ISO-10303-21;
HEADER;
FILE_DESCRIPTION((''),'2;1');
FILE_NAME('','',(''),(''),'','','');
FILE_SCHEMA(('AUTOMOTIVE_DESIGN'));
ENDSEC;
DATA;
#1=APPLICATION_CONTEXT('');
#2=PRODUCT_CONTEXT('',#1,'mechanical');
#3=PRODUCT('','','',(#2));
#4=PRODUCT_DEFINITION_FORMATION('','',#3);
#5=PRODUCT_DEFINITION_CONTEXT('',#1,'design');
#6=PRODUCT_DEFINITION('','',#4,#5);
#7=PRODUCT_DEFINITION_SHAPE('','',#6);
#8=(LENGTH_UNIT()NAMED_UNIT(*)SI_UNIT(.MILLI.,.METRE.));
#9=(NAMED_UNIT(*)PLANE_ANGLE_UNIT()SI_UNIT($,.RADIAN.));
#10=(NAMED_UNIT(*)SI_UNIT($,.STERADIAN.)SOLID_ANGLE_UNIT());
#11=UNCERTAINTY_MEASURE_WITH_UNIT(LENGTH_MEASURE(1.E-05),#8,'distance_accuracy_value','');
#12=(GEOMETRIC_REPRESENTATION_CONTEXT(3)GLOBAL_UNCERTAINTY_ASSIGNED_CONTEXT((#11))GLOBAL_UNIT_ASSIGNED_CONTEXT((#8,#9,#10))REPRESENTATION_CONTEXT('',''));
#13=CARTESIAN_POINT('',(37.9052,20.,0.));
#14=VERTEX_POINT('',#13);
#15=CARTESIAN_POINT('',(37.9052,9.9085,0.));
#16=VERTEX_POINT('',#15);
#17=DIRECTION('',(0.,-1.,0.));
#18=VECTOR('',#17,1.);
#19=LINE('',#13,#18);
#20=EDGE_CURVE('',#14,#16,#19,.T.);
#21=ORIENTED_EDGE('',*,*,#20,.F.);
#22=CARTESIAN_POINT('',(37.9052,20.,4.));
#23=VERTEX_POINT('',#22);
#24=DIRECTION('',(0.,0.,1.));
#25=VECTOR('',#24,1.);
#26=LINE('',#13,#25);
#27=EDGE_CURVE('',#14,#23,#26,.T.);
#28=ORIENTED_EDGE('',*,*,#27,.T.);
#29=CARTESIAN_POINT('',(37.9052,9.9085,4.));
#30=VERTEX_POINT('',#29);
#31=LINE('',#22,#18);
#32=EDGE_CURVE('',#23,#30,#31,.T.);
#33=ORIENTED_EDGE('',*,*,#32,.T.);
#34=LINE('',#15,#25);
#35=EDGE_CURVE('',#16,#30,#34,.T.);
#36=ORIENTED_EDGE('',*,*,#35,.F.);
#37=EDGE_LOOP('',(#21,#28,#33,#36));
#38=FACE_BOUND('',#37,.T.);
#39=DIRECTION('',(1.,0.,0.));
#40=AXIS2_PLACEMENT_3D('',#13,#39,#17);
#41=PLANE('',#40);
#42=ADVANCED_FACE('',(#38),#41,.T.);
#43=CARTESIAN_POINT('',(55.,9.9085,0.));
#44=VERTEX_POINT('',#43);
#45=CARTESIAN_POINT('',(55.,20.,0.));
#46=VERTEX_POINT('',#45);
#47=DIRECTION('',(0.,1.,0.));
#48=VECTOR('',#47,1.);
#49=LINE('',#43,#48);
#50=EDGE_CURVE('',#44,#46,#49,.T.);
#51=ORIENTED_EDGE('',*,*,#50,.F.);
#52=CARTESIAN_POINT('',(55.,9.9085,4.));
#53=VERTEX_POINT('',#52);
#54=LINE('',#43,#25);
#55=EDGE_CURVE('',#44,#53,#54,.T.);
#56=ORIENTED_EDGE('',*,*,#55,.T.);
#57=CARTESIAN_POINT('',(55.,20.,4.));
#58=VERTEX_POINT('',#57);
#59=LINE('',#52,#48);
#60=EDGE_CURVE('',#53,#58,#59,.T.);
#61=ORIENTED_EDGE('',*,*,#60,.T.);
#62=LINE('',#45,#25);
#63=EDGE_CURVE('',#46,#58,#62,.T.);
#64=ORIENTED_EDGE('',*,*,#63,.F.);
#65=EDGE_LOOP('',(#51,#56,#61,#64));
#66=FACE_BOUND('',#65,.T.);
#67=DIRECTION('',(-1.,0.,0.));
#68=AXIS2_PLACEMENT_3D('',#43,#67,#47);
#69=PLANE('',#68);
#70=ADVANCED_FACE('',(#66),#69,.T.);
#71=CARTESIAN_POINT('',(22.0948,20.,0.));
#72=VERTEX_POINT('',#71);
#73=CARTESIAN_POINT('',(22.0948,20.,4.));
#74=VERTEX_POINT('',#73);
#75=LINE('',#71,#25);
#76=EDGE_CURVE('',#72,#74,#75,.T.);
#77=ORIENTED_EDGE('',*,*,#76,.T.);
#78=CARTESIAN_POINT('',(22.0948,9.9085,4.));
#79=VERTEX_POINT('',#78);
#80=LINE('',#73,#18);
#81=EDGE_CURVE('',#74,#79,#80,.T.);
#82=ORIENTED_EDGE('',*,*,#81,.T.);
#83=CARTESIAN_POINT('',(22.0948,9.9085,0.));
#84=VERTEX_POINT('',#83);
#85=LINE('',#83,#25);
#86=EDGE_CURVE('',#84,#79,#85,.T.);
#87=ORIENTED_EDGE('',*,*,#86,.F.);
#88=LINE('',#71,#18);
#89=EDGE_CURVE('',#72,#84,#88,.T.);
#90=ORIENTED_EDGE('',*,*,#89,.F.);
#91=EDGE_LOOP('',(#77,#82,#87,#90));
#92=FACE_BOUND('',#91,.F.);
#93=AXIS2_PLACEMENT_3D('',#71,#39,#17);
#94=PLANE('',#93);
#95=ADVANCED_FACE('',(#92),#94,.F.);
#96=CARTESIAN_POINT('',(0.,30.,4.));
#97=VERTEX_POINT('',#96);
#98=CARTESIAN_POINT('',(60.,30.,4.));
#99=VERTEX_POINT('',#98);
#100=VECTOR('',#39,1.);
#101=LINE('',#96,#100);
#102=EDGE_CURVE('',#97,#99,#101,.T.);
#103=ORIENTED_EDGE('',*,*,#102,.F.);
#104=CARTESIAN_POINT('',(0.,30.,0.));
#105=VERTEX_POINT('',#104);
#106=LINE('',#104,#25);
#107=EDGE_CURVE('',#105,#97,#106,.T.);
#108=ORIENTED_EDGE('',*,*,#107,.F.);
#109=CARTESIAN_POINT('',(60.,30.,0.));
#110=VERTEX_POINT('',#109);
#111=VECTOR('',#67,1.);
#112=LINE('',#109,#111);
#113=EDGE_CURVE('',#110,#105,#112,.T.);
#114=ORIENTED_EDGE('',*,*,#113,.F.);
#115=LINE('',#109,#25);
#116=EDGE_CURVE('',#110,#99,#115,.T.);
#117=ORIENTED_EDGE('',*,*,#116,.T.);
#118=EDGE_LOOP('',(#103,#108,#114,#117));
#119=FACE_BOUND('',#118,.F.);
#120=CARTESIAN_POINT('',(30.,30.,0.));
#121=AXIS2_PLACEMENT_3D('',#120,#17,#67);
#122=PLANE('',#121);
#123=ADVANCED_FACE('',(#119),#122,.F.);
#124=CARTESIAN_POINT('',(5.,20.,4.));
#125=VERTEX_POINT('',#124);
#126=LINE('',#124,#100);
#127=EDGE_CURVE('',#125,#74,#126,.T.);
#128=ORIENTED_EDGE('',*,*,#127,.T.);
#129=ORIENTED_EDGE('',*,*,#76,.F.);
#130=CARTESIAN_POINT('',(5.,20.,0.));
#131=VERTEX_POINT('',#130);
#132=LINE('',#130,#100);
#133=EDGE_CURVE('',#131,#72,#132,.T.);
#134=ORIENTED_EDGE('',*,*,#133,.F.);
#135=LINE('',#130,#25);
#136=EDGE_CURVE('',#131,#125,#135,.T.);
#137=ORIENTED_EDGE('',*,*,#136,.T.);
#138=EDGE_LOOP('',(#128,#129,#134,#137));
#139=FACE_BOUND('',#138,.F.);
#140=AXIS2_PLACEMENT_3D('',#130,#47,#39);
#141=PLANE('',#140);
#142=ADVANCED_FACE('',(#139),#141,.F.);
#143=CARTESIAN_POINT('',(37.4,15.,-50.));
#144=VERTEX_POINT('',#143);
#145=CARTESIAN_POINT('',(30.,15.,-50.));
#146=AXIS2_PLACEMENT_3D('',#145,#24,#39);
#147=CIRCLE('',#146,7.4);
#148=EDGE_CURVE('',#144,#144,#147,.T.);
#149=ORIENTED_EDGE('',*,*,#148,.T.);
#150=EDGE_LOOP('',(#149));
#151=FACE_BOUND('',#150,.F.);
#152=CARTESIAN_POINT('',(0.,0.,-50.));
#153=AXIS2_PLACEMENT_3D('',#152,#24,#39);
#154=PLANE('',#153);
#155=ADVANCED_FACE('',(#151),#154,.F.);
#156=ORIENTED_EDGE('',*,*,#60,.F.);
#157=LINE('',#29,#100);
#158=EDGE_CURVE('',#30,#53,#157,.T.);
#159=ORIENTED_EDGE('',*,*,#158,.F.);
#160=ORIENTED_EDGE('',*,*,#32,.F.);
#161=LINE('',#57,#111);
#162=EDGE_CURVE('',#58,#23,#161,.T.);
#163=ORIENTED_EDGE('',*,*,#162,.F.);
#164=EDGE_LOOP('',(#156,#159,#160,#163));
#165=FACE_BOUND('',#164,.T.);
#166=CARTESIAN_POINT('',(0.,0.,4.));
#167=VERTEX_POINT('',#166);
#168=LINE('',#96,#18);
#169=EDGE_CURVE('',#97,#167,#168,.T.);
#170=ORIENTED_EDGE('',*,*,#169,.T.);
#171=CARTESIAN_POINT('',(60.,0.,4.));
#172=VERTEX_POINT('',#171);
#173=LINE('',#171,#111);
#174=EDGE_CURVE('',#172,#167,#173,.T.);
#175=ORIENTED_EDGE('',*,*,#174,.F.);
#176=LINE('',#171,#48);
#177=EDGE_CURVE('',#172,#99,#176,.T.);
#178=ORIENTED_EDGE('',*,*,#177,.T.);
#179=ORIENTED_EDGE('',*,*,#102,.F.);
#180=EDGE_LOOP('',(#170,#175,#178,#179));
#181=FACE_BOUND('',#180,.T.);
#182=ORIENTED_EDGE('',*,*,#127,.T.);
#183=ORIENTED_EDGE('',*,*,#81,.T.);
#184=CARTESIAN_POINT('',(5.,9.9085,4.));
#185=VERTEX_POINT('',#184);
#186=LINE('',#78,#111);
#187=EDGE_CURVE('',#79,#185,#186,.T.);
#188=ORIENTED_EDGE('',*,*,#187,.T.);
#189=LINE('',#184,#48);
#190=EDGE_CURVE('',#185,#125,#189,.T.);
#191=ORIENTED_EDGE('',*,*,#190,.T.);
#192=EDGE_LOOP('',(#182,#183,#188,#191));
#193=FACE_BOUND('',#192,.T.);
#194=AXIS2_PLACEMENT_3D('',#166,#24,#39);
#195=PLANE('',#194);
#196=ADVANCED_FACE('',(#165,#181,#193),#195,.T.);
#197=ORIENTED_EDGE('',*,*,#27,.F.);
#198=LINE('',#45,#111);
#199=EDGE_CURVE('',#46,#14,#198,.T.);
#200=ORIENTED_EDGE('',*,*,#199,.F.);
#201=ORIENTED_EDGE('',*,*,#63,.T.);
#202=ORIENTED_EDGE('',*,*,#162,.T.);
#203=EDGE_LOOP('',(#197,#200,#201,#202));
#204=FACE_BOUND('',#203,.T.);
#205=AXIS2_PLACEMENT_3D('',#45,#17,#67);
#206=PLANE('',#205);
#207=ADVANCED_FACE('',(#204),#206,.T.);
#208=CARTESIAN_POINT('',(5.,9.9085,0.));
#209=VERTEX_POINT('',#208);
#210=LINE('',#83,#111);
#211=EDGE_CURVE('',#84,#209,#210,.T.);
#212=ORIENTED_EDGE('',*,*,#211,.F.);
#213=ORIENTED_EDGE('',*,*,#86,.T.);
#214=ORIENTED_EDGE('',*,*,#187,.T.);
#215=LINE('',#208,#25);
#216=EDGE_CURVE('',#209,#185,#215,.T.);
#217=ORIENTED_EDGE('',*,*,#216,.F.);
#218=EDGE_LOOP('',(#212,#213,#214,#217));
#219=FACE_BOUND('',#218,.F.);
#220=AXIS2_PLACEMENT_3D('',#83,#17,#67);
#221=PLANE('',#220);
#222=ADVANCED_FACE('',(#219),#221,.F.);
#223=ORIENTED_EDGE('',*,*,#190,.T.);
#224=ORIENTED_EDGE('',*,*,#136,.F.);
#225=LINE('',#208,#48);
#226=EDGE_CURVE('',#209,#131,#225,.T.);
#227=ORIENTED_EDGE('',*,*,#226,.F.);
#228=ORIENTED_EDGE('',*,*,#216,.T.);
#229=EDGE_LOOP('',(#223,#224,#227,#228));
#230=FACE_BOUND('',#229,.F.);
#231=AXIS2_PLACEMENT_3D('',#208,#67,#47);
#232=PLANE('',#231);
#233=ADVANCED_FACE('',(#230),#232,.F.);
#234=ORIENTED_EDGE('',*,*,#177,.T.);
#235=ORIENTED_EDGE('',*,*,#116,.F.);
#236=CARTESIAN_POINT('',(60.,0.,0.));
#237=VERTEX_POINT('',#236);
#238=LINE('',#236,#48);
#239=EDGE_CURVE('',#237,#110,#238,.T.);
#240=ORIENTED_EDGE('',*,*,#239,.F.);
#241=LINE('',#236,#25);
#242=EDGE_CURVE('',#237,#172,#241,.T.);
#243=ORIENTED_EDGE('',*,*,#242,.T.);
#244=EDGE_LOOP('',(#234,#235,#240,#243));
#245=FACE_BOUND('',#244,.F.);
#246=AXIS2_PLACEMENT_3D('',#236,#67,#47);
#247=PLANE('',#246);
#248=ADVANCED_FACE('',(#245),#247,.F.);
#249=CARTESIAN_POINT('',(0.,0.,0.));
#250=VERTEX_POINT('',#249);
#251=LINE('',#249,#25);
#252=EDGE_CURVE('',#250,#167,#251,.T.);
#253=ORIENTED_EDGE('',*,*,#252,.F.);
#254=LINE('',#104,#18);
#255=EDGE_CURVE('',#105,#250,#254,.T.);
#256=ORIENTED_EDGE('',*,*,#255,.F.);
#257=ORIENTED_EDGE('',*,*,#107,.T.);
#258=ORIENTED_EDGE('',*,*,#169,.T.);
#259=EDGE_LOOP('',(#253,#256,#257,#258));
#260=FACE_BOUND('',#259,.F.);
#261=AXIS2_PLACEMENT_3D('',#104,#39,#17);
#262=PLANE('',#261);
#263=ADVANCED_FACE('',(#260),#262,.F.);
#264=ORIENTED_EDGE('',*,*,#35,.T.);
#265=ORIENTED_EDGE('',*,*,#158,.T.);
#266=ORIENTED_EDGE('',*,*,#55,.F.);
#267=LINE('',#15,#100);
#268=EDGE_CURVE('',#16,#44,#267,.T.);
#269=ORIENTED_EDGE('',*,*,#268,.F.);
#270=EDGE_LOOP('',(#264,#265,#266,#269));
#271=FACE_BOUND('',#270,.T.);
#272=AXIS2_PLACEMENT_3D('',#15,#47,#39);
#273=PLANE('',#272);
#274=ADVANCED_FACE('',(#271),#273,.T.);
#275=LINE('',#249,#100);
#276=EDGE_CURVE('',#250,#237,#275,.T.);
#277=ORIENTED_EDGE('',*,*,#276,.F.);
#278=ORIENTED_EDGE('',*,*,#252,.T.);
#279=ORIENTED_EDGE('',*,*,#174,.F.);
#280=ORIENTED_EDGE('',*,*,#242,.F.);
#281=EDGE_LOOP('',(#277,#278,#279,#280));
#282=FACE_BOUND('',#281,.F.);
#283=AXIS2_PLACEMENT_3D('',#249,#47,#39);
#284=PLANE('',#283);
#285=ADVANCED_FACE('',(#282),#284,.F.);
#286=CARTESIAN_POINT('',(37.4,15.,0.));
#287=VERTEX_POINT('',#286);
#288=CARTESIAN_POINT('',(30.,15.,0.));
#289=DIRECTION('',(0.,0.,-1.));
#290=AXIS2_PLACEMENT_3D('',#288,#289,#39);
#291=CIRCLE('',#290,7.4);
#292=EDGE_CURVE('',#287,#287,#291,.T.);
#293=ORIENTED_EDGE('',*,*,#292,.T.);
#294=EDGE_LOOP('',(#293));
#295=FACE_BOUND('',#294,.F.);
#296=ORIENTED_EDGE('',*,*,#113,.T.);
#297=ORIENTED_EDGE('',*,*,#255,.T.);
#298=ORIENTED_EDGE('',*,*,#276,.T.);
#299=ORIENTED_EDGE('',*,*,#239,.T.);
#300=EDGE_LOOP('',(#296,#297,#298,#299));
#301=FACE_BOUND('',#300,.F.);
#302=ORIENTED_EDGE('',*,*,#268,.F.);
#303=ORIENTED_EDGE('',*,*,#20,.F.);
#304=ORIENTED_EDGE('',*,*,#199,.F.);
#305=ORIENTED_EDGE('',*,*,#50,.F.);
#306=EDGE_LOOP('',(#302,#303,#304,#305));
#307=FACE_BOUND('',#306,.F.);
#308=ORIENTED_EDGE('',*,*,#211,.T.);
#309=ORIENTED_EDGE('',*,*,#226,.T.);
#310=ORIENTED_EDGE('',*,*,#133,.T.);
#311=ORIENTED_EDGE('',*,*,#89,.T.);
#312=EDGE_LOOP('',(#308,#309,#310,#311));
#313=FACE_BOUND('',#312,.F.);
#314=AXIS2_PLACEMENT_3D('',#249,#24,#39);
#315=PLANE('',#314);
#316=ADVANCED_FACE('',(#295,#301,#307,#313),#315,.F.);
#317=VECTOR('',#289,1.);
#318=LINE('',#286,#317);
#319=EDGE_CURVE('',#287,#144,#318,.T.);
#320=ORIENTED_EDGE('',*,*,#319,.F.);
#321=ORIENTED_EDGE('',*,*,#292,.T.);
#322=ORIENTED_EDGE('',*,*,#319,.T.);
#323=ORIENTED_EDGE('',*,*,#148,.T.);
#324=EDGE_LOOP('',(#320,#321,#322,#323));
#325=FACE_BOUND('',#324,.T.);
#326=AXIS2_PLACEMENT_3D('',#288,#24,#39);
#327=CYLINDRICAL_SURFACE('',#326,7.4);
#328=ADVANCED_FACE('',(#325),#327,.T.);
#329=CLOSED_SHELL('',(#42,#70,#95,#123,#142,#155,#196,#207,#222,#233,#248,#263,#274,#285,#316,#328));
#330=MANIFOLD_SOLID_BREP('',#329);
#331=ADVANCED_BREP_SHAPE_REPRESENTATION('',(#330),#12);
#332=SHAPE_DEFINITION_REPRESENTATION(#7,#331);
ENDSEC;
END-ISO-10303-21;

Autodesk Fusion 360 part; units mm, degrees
sketch "Sketch1" plane through (0, 0, 0) normal (0, 0, 1) x (1, 0, 0)
  line L0 (0, 0) -> (60, 0)
  line L1 (60, 0) -> (60, 30)
  line L2 (60, 30) -> (0, 30)
  line L3 (0, 30) -> (0, 0)
  circle A0 centre (30, 15) radius 7.4
  line L4 (5, 20) -> (22.0948, 20)
  line L5 (22.0948, 20) -> (22.0948, 9.9085)
  line L6 (22.0948, 9.9085) -> (5, 9.9085)
  line L7 (5, 9.9085) -> (5, 20)
  line L8 (30, 30) -> (30, 0)
  line L9 (55, 9.9085) -> (55, 20)
  line L10 (55, 20) -> (37.9052, 20)
  line L11 (37.9052, 20) -> (37.9052, 9.9085)
  line L12 (37.9052, 9.9085) -> (55, 9.9085)
  dimension "d1" = 60
  dimension "d2" = 30
  dimension "d3" = 14.8
extrude "Extrude1" add sketch "Sketch1" along normal blind 4
extrude "Extrude2" add sketch "Sketch1" against normal blind 50 contours A0 L8 | A0 L8
